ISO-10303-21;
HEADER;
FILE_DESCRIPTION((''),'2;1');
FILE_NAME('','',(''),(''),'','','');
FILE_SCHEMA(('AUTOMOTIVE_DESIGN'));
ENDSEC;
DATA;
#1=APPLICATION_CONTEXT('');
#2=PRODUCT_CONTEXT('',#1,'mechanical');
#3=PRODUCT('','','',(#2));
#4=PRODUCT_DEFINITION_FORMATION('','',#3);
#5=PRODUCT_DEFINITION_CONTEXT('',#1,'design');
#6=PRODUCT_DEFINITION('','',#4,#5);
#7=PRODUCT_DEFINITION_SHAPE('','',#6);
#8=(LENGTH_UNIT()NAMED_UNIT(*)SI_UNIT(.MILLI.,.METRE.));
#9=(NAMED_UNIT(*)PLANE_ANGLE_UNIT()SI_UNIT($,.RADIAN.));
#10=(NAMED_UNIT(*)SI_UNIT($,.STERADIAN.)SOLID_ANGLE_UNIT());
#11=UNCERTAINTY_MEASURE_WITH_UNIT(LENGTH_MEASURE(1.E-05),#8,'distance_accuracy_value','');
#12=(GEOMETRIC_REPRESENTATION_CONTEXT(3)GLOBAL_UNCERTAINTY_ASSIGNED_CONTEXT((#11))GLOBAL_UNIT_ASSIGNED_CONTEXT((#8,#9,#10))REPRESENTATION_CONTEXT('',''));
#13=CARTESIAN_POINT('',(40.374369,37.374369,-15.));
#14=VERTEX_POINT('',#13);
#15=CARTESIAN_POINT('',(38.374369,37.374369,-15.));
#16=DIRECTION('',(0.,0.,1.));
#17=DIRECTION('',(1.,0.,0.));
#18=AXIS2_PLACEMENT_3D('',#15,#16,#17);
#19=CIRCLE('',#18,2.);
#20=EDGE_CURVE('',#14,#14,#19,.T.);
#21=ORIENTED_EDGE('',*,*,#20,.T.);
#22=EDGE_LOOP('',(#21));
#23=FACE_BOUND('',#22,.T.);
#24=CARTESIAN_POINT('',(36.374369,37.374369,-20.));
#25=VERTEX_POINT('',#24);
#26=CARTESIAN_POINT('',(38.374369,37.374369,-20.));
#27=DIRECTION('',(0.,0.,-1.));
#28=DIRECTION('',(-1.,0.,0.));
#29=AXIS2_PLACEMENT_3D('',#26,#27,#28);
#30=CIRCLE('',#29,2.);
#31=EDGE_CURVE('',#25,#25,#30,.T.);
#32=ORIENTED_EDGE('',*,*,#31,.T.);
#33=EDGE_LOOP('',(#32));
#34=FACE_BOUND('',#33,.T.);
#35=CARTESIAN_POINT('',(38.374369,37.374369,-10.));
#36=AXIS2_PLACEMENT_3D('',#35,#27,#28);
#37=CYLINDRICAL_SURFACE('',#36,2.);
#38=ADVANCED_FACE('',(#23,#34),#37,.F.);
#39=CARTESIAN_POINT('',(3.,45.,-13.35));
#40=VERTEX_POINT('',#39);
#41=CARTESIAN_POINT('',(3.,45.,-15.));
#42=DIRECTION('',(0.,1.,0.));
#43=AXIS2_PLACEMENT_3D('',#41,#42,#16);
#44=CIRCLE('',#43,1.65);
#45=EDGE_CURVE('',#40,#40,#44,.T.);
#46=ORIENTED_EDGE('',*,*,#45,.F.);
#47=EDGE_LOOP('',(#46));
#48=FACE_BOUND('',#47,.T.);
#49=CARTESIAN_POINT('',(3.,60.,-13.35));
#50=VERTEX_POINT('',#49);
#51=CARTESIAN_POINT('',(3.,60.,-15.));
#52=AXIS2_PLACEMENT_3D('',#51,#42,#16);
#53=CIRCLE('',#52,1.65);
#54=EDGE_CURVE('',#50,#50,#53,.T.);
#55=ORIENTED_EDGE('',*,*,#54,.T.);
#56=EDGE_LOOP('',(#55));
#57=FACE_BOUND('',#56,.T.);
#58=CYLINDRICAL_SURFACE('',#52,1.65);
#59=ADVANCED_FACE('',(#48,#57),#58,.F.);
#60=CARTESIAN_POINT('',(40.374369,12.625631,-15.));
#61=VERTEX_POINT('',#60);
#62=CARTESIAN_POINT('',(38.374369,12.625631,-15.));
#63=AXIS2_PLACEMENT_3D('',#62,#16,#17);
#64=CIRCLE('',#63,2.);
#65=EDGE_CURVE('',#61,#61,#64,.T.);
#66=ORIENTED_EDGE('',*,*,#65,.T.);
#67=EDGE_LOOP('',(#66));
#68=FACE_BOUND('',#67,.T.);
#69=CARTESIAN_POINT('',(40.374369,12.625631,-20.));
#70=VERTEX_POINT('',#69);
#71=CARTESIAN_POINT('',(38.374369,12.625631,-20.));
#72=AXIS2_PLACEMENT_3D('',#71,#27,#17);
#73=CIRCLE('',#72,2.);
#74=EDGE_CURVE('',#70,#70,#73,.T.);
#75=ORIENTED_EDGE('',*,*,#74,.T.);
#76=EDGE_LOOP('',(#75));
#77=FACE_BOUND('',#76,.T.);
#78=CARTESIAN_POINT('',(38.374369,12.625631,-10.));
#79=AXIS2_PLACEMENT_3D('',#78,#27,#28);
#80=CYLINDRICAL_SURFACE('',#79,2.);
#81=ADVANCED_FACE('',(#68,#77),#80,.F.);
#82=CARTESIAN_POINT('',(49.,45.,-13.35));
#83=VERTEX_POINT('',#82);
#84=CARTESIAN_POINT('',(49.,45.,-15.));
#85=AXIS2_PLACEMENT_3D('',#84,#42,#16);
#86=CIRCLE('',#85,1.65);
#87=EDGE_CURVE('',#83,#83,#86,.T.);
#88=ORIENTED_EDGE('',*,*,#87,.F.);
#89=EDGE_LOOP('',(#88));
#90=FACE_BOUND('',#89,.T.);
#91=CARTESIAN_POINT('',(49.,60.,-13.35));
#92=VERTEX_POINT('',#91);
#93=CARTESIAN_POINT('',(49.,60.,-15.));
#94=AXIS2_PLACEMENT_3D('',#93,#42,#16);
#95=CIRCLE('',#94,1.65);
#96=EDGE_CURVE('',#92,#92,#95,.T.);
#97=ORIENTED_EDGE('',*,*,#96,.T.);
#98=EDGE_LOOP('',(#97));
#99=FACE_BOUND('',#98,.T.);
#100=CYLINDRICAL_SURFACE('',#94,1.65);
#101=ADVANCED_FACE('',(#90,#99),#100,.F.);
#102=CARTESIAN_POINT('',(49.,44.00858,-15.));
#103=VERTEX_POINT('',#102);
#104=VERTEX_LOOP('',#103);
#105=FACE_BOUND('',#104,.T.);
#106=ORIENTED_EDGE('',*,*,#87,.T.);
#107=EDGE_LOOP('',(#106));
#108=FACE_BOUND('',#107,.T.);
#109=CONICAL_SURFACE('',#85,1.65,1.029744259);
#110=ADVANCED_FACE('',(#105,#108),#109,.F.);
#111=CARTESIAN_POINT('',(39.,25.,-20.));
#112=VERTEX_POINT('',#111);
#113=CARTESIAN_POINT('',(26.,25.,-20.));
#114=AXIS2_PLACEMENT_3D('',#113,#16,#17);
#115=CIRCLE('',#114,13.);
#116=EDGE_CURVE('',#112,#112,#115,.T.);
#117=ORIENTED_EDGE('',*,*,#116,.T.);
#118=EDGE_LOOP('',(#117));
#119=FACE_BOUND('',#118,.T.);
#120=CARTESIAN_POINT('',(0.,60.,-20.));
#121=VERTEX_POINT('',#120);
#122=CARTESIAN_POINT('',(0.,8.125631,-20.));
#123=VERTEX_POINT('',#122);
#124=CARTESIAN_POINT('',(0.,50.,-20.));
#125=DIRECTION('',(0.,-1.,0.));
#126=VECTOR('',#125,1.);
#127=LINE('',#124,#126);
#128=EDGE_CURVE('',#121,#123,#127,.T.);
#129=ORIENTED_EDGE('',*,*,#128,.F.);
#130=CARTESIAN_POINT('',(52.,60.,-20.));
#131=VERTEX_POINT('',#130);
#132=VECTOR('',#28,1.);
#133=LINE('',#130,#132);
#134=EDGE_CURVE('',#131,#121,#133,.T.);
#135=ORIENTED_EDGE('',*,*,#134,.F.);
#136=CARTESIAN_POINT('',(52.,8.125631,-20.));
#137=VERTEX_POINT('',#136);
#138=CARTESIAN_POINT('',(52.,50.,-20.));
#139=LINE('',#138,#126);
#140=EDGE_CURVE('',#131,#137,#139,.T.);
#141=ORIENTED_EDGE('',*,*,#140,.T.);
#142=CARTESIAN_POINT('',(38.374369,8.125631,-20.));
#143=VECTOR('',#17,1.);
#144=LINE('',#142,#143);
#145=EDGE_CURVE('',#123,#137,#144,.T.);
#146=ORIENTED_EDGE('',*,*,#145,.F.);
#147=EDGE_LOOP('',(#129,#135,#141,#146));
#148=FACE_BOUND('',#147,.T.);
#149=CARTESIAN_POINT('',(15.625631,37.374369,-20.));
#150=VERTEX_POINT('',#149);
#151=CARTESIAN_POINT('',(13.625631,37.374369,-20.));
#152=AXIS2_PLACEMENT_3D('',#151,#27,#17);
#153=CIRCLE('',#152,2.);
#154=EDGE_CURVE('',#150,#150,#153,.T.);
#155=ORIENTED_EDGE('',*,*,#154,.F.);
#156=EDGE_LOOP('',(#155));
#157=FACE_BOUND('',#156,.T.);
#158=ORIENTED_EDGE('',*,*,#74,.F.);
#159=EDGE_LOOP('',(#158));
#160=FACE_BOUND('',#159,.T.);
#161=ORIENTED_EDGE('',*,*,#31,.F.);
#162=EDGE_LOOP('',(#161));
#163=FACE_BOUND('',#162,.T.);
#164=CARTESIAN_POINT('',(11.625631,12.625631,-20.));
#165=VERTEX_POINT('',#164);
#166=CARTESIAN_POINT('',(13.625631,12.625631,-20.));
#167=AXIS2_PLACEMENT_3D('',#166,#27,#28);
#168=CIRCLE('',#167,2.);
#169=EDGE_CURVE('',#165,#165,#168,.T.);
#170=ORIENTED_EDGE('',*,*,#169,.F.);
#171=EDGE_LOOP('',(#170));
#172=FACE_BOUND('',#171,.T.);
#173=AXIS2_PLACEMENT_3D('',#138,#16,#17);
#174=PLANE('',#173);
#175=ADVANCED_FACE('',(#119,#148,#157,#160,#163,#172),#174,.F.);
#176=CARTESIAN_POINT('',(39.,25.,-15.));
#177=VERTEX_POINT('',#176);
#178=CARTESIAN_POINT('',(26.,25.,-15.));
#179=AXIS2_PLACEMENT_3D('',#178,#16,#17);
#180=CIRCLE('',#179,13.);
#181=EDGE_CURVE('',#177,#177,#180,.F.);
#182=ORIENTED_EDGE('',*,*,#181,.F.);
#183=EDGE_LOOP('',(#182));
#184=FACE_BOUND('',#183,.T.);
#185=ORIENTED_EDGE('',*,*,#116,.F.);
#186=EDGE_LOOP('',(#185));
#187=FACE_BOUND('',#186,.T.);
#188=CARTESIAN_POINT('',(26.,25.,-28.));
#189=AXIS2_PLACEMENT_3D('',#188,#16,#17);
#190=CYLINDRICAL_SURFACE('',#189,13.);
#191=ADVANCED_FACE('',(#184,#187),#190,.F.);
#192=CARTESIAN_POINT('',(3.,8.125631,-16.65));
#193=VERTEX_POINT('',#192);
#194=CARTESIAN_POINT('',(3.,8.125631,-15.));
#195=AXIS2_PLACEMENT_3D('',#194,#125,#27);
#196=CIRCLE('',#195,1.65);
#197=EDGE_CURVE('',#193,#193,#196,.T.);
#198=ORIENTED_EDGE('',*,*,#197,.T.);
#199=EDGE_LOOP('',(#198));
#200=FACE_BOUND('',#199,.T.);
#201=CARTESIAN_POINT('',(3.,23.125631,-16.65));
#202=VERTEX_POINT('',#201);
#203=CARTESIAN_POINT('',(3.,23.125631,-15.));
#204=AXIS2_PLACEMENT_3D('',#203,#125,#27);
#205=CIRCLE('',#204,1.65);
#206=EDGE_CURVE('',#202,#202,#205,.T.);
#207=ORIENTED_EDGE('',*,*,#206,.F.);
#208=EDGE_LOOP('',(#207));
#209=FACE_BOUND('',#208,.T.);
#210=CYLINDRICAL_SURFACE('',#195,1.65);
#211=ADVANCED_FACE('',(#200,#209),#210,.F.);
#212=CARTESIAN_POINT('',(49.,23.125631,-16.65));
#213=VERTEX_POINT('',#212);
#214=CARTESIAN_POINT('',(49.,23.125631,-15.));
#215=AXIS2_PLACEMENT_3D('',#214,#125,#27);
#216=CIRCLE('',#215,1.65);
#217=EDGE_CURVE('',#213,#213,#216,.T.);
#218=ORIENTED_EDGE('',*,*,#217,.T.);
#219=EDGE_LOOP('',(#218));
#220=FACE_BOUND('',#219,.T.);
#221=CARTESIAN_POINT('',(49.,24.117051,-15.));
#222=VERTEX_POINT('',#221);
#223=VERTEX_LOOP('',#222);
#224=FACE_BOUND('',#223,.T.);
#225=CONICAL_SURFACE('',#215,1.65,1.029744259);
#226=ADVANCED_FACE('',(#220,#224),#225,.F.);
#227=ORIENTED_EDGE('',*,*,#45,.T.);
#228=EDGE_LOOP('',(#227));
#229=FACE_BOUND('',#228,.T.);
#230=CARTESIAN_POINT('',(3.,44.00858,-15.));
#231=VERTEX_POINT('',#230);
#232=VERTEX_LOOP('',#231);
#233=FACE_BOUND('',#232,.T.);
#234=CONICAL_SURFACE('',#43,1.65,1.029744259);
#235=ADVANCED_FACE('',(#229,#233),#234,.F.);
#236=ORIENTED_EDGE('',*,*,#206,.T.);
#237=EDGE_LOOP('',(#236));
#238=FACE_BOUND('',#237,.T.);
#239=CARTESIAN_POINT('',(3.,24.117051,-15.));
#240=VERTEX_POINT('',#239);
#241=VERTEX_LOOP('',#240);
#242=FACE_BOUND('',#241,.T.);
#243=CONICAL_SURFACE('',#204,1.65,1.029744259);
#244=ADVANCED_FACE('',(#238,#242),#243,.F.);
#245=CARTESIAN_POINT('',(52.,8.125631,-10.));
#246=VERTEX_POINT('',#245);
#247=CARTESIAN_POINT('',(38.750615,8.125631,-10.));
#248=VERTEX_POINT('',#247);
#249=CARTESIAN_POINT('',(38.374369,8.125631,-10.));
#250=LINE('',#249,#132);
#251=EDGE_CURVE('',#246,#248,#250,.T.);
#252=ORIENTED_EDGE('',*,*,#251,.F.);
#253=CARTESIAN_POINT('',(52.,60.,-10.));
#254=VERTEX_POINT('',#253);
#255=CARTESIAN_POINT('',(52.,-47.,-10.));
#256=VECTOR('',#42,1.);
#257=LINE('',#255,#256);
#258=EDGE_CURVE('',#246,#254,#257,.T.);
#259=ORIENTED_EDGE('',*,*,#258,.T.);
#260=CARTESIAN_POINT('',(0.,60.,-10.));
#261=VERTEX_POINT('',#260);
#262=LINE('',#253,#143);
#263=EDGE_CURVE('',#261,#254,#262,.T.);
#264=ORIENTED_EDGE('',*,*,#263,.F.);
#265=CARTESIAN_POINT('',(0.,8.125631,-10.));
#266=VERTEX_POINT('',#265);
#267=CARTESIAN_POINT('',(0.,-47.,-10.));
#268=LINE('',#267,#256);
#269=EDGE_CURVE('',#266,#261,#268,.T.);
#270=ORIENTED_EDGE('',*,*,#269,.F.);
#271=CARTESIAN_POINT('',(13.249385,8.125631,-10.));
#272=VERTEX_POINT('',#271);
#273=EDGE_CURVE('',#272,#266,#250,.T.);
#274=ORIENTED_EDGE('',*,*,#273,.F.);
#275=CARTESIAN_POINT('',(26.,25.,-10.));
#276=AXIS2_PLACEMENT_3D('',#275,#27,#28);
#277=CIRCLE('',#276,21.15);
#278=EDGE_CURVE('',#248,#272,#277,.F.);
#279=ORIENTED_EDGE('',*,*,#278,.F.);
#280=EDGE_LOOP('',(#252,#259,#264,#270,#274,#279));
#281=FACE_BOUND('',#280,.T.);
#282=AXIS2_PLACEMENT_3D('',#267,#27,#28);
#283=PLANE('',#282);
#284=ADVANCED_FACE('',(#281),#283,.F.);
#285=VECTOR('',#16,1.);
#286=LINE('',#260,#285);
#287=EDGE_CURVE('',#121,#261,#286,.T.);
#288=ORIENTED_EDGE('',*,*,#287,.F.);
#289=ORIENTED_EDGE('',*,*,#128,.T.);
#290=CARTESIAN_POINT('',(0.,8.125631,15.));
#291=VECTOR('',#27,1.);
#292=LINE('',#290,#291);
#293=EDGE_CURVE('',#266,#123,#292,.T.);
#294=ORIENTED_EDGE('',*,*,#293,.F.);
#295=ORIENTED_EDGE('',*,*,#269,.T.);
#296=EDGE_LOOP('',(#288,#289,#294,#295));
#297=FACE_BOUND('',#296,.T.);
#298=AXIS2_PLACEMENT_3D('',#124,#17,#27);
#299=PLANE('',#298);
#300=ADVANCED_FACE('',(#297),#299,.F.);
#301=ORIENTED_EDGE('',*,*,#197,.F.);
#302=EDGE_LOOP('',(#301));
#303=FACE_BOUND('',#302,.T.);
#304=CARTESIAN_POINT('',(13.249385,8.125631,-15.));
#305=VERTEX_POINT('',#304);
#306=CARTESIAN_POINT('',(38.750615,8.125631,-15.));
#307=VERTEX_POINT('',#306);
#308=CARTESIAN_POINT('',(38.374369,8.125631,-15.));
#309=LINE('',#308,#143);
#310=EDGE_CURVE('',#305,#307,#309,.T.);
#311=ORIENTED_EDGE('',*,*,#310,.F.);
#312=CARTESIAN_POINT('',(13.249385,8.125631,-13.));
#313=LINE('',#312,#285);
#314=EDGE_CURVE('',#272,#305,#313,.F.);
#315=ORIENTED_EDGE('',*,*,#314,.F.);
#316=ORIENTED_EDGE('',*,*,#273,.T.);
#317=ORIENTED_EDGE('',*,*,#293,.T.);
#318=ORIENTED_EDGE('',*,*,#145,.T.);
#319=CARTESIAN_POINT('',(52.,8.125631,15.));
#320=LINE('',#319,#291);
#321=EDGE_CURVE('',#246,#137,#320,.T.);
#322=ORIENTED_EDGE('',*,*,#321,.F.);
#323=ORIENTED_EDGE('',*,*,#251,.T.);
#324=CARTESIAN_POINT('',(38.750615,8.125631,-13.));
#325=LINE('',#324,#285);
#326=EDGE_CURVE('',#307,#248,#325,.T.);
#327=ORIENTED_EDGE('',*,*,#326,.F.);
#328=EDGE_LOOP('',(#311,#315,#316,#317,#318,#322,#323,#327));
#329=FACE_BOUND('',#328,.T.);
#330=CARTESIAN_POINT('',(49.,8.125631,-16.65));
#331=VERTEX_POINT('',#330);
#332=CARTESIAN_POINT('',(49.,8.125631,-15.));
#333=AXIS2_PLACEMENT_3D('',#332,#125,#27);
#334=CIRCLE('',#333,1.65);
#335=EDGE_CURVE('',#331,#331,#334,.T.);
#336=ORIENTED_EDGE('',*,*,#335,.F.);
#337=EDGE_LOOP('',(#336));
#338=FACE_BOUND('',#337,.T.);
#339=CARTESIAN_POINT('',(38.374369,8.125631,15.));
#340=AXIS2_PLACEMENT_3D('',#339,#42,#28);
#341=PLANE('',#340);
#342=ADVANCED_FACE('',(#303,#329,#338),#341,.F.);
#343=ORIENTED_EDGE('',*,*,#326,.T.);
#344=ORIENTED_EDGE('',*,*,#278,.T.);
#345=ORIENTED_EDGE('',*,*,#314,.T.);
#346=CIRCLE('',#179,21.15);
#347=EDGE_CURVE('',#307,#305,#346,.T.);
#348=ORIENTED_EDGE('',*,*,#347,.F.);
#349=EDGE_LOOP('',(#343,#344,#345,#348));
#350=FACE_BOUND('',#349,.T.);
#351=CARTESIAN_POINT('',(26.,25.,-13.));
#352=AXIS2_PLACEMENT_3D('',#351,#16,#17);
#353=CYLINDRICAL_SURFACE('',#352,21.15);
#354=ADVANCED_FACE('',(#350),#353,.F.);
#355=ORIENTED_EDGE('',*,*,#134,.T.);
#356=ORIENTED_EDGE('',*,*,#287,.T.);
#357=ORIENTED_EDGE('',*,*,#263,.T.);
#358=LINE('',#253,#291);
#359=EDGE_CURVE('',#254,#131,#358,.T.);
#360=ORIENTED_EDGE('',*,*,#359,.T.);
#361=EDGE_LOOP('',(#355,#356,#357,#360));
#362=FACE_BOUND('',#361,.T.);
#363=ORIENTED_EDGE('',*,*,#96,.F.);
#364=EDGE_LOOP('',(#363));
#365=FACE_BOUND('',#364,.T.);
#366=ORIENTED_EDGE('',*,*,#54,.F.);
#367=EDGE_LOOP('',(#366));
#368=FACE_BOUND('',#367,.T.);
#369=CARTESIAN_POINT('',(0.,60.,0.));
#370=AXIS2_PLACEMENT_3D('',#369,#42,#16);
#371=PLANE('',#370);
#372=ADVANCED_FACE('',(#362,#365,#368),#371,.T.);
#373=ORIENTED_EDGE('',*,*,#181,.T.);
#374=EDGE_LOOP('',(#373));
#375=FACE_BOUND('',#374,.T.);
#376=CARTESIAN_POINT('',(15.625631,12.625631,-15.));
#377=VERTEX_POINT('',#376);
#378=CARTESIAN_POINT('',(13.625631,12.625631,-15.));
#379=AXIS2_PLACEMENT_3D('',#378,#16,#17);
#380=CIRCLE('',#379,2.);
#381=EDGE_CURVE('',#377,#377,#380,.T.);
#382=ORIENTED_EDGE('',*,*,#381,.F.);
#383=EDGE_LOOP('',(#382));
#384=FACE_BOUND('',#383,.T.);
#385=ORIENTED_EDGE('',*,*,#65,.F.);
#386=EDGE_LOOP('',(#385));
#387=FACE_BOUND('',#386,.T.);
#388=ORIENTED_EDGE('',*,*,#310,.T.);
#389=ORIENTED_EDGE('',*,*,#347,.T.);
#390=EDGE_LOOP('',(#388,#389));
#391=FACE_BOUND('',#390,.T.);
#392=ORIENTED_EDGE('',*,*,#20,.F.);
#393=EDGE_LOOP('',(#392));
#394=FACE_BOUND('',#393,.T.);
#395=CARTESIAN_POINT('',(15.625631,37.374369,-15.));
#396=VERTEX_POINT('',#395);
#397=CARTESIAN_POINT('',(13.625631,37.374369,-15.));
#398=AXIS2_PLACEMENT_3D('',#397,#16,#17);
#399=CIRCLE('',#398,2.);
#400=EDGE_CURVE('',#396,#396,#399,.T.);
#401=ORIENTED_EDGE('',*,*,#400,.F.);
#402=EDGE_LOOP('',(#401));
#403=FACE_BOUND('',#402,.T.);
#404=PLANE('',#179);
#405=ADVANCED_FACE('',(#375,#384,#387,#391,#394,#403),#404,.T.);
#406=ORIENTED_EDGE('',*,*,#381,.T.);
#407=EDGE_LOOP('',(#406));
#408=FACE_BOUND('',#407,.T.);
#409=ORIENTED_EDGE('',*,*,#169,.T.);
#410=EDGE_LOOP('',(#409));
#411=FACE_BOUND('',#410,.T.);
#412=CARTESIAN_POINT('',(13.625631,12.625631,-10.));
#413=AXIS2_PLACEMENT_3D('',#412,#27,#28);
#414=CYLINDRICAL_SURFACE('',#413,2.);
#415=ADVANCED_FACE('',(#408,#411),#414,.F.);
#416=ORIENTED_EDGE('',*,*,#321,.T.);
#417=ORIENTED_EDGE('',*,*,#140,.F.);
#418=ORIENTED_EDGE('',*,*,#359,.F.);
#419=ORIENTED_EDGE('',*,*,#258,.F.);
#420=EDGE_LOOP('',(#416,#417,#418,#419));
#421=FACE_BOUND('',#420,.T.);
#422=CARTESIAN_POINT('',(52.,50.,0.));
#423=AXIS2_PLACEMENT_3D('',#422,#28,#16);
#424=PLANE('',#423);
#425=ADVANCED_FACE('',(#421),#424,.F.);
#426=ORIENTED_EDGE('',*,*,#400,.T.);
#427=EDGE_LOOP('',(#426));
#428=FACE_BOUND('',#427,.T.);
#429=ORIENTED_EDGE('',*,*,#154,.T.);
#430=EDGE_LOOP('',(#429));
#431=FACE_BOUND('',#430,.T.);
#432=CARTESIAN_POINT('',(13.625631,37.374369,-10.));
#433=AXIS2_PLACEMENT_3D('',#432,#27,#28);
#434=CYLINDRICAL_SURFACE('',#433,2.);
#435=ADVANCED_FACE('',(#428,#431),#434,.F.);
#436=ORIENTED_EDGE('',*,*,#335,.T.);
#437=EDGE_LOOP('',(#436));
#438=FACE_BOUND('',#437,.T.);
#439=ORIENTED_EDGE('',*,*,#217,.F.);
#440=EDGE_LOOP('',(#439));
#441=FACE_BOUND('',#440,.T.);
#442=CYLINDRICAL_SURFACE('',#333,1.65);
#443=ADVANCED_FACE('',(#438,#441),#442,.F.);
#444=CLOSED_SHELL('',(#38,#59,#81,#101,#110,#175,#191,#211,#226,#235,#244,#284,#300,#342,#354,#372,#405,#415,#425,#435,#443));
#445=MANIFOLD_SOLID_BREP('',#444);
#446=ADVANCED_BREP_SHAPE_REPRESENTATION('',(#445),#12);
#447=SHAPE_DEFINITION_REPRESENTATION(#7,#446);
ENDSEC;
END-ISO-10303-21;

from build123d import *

# Parameters (mm, degrees)
SKETCH_1_W           = 52
SKETCH_1_H           = 20
EXTRUDE_4_DEPTH      = 50
SKETCH_11_R          = 21.15
CUT_EXTRUDE_7_DEPTH  = 13
SKETCH_14_R          = 13
CUT_EXTRUDE_9_DEPTH  = 15
CUT_EXTRUDE_13_DEPTH = 35
MM_6_D               = 3.3
MM_6_DEPTH           = 15
MM_6_TIP             = 0.991420021
SKETCH_62_W          = 52
SKETCH_62_H          = 10
CUT_EXTRUDE_14_DEPTH = 97
SKETCH_63_R          = 21.15
CUT_EXTRUDE_15_DEPTH = 2
SKETCH_54_R          = 2
CUT_EXTRUDE_18_DEPTH = 10
SKETCH_76_W          = 52
SKETCH_76_H          = 10
EXTRUDE_7_DEPTH      = 10
F_1_0MM_1_D          = 3.3
F_1_0MM_1_DEPTH      = 15
F_1_0MM_1_TIP        = 0.991420021


with BuildPart() as part:
    # 草图1 → 凸台-拉伸4 (new body)
    with BuildSketch(Plane(origin=(0, 0, 0), x_dir=(1, 0, 0), z_dir=(0, 1, 0))):
        with Locations((26, 10)):
            Rectangle(SKETCH_1_W, SKETCH_1_H)
    extrude(amount=EXTRUDE_4_DEPTH)

    # 草图11 → 切除-拉伸7 (cut)
    with BuildSketch(Plane.XY):
        with Locations((26, 25)):
            Circle(SKETCH_11_R)
    extrude(amount=-CUT_EXTRUDE_7_DEPTH, mode=Mode.SUBTRACT)

    # 草图14 → 切除-拉伸9 (cut)
    with BuildSketch(Plane.XY.offset(-13)):
        with Locations((26, 25)):
            Circle(SKETCH_14_R)
    extrude(amount=-CUT_EXTRUDE_9_DEPTH, mode=Mode.SUBTRACT)

    # 草图56 → 切除-拉伸13 (cut)
    with BuildSketch(Plane(origin=(0, 0, -20), x_dir=(-1, 0, 0), z_dir=(0, 0, -1))):
        Polygon((-38.374368671, 8.125631329), (-52, 8.125631329), (-52, 0), (0, 0), (0, 8.125631329), align=None)
    extrude(amount=-CUT_EXTRUDE_13_DEPTH, mode=Mode.SUBTRACT)

    # 大小mm 暗销孔6
    with Locations(Plane(origin=(3, 8.125631329, -5), x_dir=(-1, 0, 0), z_dir=(0, -1, 0))):
        with Locations((0, 0), (0, 10), (-46, 0), (-46, 10)):
            Hole(MM_6_D / 2, depth=MM_6_DEPTH)
            with Locations((0, 0, -(MM_6_DEPTH + MM_6_TIP / 2))):  # 118° drill point
                Cone(0, MM_6_D / 2, MM_6_TIP, mode=Mode.SUBTRACT)

    # 草图62 → 切除-拉伸14 (cut)
    with BuildSketch(Plane(origin=(0, 50, 0), x_dir=(1, 0, 0), z_dir=(0, 1, 0))):
        with Locations((26, 5)):
            Rectangle(SKETCH_62_W, SKETCH_62_H)
    extrude(amount=-CUT_EXTRUDE_14_DEPTH, mode=Mode.SUBTRACT)

    # 草图63 → 切除-拉伸15 (cut)
    with BuildSketch(Plane.XY.offset(-13)):
        with Locations((26, 25)):
            Circle(SKETCH_63_R)
    extrude(amount=-CUT_EXTRUDE_15_DEPTH, mode=Mode.SUBTRACT)

    # 草图54 → 切除-拉伸18 (cut)
    with BuildSketch(Plane(origin=(0, 0, -20), x_dir=(-1, 0, 0), z_dir=(0, 0, -1))):
        with Locations((-38.374368671, 37.374368671)):
            Circle(SKETCH_54_R)
        with Locations(Location((-13.625631329, 37.374368671, 0), (0, 0, 180))):
            Circle(SKETCH_54_R)
        with Locations((-13.625631329, 12.625631329)):
            Circle(SKETCH_54_R)
        with Locations(Location((-38.374368671, 12.625631329, 0), (0, 0, 180))):
            Circle(SKETCH_54_R)
    extrude(amount=-CUT_EXTRUDE_18_DEPTH, mode=Mode.SUBTRACT)

    # 草图76 → 凸台-拉伸7 (add)
    with BuildSketch(Plane(origin=(0, 50, 0), x_dir=(1, 0, 0), z_dir=(0, 1, 0))):
        with Locations((26, 15)):
            Rectangle(SKETCH_76_W, SKETCH_76_H)
    extrude(amount=EXTRUDE_7_DEPTH)

    # Ø1.0mm 暗销孔1
    with Locations(Plane(origin=(0, 60, 0), x_dir=(1, 0, 0), z_dir=(0, 1, 0))):
        with Locations((3, 15), (49, 15)):
            Hole(F_1_0MM_1_D / 2, depth=F_1_0MM_1_DEPTH)
            with Locations((0, 0, -(F_1_0MM_1_DEPTH + F_1_0MM_1_TIP / 2))):  # 118° drill point
                Cone(0, F_1_0MM_1_D / 2, F_1_0MM_1_TIP, mode=Mode.SUBTRACT)


solid = part.part
